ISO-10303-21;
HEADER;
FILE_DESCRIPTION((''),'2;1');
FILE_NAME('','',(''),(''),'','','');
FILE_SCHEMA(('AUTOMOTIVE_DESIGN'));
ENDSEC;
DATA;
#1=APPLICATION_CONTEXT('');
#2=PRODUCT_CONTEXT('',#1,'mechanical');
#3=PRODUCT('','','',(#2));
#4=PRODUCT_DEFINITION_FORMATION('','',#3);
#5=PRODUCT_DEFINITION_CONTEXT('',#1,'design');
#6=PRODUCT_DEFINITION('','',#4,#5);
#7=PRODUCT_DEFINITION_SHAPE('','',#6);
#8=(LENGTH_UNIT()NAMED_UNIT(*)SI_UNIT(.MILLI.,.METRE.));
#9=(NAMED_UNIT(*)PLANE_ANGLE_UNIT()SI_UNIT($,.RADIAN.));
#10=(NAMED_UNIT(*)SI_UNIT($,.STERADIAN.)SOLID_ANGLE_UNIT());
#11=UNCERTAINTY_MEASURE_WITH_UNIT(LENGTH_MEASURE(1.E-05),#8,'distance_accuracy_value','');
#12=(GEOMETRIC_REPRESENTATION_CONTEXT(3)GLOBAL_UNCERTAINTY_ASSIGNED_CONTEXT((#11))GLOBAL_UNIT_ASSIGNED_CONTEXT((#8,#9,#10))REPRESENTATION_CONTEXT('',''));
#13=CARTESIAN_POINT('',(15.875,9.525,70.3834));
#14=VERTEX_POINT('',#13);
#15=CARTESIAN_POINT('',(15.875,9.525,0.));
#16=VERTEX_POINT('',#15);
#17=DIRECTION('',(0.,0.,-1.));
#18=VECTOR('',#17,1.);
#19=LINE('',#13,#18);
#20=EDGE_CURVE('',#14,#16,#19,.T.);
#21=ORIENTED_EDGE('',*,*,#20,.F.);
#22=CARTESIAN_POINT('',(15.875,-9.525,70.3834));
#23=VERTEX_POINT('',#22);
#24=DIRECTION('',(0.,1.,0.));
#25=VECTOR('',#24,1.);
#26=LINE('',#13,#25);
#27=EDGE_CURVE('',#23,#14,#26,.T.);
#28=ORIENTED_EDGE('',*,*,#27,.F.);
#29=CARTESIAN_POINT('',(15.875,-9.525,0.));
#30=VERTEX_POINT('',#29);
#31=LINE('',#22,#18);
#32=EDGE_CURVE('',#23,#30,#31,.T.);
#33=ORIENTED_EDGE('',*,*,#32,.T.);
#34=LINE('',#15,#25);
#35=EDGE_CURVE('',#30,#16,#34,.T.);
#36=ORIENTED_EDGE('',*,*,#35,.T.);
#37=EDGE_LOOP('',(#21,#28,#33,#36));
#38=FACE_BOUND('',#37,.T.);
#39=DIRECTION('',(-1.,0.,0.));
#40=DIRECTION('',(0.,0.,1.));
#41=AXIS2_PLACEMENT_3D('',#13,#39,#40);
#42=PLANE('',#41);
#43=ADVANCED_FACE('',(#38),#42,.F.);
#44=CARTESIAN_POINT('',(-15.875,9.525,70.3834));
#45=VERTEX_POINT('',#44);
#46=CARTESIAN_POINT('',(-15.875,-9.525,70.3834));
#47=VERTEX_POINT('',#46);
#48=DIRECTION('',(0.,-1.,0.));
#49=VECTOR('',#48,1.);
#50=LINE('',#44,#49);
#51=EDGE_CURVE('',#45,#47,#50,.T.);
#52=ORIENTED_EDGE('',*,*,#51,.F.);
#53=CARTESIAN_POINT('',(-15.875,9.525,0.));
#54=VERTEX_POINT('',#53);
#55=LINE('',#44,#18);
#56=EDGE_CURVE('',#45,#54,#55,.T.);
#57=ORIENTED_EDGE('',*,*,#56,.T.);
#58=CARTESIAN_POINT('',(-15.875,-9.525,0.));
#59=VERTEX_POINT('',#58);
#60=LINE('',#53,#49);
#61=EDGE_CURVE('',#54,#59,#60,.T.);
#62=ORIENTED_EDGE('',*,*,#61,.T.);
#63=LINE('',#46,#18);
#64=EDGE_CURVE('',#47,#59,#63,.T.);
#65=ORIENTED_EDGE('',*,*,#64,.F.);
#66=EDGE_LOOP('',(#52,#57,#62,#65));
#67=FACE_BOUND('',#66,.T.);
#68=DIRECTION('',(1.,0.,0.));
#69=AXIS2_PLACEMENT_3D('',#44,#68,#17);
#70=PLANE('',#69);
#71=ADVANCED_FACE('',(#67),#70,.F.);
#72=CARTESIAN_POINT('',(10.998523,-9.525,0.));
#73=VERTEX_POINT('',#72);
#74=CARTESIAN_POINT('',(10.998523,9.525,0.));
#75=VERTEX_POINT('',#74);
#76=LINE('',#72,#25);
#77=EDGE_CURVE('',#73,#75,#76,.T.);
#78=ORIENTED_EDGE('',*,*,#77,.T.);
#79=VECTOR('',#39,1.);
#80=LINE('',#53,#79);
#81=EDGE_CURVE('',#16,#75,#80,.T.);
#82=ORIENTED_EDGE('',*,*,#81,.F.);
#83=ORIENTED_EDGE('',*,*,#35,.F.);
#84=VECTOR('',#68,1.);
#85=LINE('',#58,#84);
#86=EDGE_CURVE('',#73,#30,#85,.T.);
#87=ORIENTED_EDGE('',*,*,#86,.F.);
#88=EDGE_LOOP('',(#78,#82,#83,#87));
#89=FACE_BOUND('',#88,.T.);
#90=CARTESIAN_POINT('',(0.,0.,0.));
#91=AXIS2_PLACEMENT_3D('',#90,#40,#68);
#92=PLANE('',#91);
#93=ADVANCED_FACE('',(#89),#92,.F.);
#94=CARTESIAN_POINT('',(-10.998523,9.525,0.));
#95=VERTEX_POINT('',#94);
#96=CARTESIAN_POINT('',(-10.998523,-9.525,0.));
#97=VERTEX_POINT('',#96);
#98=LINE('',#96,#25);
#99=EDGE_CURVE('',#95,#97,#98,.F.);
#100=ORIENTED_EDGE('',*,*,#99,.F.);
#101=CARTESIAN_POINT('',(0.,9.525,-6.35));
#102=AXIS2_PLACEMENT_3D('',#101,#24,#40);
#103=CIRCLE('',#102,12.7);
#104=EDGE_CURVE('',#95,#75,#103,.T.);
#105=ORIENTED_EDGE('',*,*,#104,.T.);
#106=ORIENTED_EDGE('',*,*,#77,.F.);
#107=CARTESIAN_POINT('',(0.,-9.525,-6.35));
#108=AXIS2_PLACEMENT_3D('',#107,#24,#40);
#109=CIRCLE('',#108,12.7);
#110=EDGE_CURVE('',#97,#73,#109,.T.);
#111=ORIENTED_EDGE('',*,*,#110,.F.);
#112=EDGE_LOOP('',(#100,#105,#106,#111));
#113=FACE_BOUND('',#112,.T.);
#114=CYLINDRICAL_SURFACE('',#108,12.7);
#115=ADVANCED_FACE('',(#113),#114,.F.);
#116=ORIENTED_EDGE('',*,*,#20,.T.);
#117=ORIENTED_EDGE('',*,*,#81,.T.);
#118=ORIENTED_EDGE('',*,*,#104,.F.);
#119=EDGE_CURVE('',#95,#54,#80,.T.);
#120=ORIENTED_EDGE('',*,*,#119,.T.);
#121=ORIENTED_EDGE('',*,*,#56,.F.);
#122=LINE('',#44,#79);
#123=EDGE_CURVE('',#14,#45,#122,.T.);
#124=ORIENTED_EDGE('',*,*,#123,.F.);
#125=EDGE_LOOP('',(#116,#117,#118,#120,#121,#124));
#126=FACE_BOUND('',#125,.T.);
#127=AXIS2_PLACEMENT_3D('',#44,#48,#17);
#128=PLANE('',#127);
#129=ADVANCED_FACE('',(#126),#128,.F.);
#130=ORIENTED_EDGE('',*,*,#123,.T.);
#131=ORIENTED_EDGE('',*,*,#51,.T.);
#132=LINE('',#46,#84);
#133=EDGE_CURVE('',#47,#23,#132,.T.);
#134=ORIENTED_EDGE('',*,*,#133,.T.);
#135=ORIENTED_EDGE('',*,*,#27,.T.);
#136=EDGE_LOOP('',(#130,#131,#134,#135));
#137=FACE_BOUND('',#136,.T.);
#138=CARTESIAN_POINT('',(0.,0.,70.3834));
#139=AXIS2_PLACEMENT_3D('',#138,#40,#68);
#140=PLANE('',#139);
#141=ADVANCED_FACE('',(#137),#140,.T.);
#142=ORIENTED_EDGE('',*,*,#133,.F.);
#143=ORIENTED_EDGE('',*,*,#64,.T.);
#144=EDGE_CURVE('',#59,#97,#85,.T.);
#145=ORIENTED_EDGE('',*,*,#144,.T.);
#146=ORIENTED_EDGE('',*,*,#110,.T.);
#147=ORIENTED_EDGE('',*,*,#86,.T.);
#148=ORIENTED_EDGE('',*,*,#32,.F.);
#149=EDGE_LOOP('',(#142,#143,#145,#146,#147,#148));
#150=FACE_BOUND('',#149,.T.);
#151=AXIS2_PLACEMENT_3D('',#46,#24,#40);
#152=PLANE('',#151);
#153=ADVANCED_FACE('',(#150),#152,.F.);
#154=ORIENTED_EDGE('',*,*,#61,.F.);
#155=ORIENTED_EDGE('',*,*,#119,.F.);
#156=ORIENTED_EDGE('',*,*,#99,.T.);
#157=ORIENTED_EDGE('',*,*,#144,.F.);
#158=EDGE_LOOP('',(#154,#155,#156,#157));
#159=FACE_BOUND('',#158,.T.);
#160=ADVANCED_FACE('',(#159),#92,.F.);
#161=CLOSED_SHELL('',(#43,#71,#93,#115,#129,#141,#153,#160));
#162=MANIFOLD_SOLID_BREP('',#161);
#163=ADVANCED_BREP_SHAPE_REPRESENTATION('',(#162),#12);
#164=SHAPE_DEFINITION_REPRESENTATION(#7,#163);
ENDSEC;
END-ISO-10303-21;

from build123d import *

# Parameters (mm, degrees)
SKETCH1_W           = 31.75
SKETCH1_H           = 19.05
BOSS_EXTRUDE1_DEPTH = 70.3834
SKETCH2_R           = 12.7
CUT_EXTRUDE1_DEPTH  = 75.623998288


with BuildPart() as part:
    # Sketch1 → Boss-Extrude1 (new body)
    with BuildSketch(Plane.XY):
        Rectangle(SKETCH1_W, SKETCH1_H)
    extrude(amount=BOSS_EXTRUDE1_DEPTH)

    # Sketch2 → Cut-Extrude1 (cut, through all)
    with BuildSketch(Plane(origin=(0, 9.525, 0), x_dir=(1, 0, 0), z_dir=(0, 1, 0))):
        with Locations((0, 6.35)):
            Circle(SKETCH2_R)
    extrude(amount=-CUT_EXTRUDE1_DEPTH, mode=Mode.SUBTRACT)


solid = part.part
